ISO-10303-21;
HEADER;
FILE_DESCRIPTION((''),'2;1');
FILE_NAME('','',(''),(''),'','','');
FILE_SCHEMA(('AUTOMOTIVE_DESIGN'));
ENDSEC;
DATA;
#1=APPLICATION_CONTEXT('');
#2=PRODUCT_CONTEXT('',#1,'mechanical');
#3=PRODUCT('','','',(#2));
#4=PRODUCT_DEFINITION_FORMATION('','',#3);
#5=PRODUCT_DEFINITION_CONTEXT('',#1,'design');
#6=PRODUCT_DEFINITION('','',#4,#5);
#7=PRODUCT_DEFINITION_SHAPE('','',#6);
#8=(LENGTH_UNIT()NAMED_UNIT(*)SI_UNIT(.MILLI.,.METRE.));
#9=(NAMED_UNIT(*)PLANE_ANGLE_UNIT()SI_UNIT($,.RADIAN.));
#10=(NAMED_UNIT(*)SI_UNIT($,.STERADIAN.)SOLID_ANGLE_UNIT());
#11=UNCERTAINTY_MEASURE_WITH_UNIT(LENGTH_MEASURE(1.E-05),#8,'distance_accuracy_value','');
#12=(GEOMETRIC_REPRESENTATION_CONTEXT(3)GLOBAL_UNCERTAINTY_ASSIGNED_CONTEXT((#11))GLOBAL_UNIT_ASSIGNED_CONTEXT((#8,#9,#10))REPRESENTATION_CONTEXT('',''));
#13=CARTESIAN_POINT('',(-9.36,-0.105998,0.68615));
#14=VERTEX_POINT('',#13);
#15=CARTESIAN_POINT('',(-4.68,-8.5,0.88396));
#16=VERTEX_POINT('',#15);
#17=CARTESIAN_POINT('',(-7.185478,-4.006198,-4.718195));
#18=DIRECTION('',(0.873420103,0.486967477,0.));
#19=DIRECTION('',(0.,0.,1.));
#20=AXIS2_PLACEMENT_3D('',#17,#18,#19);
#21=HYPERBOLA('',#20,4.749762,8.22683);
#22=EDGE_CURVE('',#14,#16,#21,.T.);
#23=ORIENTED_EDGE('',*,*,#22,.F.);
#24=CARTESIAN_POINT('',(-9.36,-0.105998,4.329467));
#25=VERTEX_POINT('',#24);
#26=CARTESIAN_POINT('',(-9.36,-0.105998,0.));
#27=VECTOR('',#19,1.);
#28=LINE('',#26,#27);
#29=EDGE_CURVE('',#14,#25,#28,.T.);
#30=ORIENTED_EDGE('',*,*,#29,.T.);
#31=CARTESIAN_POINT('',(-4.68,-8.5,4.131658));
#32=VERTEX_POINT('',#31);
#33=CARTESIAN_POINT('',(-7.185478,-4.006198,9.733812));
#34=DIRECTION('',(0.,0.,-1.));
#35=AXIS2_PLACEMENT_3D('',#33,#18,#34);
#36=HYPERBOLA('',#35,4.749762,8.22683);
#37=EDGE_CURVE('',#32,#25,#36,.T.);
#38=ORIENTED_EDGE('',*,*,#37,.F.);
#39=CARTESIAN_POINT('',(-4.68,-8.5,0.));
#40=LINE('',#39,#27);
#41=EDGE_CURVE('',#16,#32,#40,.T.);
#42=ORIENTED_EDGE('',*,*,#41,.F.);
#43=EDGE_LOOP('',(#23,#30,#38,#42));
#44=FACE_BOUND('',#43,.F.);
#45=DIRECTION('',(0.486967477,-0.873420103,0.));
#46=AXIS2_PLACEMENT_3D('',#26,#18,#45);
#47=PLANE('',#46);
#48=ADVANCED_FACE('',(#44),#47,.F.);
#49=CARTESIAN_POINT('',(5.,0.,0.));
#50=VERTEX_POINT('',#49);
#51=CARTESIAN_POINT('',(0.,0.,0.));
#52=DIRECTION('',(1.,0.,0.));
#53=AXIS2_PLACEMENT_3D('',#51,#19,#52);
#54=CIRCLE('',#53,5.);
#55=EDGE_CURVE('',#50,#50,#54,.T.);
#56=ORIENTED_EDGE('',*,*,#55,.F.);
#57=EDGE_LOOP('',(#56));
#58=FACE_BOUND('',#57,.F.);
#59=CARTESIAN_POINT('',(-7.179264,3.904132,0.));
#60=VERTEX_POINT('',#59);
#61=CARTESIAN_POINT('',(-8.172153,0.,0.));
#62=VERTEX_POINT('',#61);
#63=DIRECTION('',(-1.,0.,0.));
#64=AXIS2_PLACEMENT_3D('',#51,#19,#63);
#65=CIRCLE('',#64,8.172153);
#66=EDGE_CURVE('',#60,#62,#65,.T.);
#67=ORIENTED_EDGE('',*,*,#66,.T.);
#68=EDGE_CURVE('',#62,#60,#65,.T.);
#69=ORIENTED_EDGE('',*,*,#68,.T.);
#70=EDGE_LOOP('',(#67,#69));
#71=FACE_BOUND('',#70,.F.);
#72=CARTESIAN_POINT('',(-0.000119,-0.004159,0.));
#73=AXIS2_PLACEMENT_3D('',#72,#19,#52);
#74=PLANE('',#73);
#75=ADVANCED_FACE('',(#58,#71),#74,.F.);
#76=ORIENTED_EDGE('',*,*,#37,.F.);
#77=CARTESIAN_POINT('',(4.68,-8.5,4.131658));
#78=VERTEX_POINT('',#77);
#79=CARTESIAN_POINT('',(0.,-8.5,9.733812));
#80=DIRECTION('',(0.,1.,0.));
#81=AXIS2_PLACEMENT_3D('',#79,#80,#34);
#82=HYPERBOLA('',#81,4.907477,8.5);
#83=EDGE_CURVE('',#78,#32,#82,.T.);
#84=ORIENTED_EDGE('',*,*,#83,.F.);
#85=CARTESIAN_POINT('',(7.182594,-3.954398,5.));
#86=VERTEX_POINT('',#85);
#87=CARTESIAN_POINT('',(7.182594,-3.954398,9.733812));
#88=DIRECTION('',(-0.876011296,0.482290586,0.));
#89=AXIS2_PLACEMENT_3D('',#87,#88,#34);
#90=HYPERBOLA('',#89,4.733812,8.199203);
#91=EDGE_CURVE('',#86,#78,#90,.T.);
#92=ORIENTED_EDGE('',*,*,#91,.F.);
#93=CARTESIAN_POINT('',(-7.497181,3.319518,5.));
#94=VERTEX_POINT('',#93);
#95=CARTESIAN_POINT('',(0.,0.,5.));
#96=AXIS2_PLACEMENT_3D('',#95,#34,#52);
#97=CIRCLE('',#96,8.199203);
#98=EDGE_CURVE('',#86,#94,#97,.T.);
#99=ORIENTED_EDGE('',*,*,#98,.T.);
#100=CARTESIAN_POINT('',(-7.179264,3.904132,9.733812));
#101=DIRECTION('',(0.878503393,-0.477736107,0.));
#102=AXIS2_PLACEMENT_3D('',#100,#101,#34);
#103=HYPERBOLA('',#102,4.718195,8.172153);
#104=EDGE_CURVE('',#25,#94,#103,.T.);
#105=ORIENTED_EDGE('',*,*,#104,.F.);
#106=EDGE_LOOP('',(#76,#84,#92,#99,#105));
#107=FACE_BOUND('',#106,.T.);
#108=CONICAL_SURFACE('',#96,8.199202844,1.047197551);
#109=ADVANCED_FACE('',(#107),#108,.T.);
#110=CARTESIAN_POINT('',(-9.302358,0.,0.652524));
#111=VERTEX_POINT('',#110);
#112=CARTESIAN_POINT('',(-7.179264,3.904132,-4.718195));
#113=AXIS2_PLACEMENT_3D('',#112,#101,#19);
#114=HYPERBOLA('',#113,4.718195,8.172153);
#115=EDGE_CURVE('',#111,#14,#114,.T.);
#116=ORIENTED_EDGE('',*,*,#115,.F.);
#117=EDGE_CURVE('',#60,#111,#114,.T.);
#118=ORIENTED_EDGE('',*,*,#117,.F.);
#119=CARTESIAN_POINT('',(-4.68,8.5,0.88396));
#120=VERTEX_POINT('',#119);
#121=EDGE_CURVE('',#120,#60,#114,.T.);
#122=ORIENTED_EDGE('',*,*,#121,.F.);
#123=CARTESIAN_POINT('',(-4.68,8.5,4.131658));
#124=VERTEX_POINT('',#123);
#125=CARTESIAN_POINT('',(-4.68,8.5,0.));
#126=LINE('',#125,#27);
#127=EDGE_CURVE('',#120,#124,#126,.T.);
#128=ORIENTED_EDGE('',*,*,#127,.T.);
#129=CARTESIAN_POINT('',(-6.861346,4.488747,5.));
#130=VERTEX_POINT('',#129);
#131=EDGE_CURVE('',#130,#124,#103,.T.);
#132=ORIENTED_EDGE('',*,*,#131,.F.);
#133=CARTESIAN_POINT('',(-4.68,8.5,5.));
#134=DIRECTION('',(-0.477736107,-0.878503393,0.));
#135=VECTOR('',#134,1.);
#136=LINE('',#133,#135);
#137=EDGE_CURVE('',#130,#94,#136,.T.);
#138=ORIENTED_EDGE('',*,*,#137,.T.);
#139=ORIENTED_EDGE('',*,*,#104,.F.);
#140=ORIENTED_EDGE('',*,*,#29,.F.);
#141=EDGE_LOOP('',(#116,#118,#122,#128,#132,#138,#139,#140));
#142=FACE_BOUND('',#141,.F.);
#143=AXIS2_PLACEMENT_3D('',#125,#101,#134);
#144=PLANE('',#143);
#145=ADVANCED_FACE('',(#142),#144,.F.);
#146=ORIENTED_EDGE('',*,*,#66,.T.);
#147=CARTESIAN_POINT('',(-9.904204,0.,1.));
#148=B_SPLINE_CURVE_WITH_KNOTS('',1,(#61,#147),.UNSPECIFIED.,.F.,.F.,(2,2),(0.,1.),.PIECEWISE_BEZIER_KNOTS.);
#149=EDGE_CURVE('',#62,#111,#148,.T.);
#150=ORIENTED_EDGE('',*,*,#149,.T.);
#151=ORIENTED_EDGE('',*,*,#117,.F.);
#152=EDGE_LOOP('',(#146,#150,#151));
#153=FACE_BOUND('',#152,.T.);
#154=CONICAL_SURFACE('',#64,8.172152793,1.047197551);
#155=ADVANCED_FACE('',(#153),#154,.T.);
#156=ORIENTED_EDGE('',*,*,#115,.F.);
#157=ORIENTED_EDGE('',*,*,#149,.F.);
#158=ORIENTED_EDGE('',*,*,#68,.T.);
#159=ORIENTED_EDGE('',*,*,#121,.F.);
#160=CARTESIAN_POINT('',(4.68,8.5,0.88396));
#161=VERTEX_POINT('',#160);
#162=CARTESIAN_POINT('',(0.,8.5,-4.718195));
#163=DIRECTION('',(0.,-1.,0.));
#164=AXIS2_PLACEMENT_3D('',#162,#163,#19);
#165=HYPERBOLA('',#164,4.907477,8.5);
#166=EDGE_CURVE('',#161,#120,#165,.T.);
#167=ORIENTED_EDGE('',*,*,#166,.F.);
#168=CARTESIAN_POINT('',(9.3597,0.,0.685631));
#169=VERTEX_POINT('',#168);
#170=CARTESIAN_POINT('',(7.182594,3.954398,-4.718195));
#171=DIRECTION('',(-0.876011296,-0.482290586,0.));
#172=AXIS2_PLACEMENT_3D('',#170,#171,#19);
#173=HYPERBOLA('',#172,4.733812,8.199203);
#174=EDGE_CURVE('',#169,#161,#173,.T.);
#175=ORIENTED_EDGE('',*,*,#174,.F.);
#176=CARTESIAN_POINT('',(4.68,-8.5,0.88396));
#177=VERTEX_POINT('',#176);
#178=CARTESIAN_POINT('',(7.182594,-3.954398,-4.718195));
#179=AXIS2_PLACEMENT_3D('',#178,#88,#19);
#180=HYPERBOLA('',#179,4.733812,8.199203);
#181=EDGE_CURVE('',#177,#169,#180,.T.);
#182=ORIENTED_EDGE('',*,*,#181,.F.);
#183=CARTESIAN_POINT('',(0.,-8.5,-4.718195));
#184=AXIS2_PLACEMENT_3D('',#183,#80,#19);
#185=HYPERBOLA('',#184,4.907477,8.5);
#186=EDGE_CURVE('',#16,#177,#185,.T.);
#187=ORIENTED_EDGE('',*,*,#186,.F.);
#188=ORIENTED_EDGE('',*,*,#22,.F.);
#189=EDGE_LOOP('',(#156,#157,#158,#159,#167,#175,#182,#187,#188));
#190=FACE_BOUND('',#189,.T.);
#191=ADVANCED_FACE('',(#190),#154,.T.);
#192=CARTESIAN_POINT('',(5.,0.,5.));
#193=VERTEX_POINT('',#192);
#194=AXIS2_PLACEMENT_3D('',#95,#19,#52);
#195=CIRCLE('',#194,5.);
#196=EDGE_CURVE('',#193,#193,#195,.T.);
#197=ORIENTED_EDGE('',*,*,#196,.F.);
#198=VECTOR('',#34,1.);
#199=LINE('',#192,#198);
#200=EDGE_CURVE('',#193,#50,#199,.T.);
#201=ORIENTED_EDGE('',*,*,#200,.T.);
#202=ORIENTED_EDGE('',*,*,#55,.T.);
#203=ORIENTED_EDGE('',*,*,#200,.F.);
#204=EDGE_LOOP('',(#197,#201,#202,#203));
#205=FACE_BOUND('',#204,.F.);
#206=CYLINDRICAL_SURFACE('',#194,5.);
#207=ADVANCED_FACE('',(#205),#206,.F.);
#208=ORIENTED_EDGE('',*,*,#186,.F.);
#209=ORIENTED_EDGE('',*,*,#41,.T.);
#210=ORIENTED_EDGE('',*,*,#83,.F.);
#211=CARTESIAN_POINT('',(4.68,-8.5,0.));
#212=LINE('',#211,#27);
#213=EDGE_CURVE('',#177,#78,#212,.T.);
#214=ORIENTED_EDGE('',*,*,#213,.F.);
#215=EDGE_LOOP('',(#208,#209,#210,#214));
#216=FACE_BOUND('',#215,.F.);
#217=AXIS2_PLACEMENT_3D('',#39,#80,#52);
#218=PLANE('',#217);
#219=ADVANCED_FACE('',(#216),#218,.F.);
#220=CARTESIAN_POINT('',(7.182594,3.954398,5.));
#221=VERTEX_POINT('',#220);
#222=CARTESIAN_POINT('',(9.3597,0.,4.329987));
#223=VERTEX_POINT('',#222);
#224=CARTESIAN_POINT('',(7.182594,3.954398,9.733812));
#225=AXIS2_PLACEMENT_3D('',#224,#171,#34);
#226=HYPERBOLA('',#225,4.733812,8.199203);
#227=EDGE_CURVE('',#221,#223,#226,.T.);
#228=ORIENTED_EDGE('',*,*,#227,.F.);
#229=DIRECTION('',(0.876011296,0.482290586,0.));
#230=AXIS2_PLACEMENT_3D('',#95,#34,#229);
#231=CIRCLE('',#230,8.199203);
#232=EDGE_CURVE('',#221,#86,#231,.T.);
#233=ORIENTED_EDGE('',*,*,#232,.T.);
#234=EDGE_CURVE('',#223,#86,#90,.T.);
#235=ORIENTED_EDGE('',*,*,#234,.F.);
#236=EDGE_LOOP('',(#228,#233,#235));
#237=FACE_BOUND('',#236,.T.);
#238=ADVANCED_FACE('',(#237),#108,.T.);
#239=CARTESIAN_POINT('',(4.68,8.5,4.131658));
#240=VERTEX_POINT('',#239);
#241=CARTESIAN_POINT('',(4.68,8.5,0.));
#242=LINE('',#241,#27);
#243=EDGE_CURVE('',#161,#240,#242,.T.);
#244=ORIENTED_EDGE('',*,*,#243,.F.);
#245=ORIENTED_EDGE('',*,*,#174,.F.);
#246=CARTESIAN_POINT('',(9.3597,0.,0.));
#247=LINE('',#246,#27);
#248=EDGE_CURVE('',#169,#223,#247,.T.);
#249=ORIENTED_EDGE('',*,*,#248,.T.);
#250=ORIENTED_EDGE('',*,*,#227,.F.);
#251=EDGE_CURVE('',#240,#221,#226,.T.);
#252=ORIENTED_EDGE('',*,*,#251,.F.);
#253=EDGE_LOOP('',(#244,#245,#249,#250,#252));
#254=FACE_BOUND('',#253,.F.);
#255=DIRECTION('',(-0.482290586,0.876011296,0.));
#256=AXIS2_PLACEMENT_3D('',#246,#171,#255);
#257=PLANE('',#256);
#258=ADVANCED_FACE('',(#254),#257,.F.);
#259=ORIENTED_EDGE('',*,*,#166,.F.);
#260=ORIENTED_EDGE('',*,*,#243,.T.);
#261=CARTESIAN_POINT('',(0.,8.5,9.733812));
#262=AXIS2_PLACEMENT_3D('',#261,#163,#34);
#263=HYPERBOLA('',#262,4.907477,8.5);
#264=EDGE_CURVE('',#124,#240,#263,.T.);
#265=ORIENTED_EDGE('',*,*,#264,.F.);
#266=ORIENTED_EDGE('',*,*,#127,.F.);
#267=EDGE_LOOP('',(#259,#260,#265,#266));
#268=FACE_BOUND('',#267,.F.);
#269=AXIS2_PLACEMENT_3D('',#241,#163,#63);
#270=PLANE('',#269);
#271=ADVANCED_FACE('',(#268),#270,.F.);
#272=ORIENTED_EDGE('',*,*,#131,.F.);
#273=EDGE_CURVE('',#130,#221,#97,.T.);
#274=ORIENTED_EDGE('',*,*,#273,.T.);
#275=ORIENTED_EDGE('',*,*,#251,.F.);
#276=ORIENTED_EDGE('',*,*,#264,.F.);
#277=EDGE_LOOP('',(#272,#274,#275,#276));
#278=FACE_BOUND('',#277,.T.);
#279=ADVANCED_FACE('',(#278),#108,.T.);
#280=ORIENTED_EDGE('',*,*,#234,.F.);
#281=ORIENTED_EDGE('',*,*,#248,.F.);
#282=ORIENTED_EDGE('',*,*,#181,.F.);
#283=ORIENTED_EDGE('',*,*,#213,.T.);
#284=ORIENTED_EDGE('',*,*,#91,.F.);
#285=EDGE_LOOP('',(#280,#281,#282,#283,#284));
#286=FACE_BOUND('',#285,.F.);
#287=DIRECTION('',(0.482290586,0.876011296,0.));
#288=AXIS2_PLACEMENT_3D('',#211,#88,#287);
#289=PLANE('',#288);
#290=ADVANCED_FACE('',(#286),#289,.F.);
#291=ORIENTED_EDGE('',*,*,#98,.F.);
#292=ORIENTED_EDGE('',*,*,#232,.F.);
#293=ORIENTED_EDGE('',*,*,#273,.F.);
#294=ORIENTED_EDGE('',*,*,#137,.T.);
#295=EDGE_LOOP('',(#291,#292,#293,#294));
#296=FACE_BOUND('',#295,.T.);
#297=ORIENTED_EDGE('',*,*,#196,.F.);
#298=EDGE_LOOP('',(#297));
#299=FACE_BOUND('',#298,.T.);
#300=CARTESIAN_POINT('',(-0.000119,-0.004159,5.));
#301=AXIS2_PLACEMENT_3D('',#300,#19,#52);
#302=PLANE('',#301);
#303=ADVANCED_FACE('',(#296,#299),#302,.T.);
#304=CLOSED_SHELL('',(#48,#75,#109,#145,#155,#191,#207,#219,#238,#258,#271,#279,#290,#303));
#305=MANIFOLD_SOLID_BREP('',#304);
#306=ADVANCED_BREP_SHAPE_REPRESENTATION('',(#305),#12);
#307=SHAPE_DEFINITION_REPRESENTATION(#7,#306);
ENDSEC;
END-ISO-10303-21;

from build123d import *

# Parameters (mm, degrees)
BOSS_EXTRUDE1_DEPTH = 5
SKETCH2_OUTSIDE_W   = 60.516
SKETCH2_OUTSIDE_H   = 58.796
SKETCH2_OUTSIDE_R   = 8.199202844
CUT_EXTRUDE1_DEPTH  = 10
CUT_EXTRUDE1_TAPER  = 60
SKETCH3_OUTSIDE_W   = 29.34
SKETCH3_OUTSIDE_H   = 27.62
SKETCH3_OUTSIDE_R   = 8.172152793
CUT_EXTRUDE2_DEPTH  = 1
CUT_EXTRUDE2_TAPER  = 60
SKETCH4_R           = 5
CUT_EXTRUDE3_DEPTH  = 8


with BuildPart() as part:
    # Sketch1 → Boss-Extrude1 (new body)
    with BuildSketch(Plane.XY):
        Polygon((9.359699903, 0), (4.68, 8.5), (-4.68, 8.5), (-9.36, -0.105997779), (-4.68, -8.5), (4.68, -8.5), align=None)
    extrude(amount=BOSS_EXTRUDE1_DEPTH)

    # Sketch2 outside → Cut-Extrude1 (cut)
    with BuildSketch(Plane.XY.offset(5)):
        Rectangle(SKETCH2_OUTSIDE_W, SKETCH2_OUTSIDE_H)
        Circle(SKETCH2_OUTSIDE_R, mode=Mode.SUBTRACT)
    extrude(amount=-CUT_EXTRUDE1_DEPTH, taper=CUT_EXTRUDE1_TAPER, mode=Mode.SUBTRACT)

    # Sketch3 outside → Cut-Extrude2 (cut)
    with BuildSketch(Plane(origin=(0, 0, 0), x_dir=(-1, 0, 0), z_dir=(0, 0, -1))):
        Rectangle(SKETCH3_OUTSIDE_W, SKETCH3_OUTSIDE_H)
        Circle(SKETCH3_OUTSIDE_R, mode=Mode.SUBTRACT)
    extrude(amount=-CUT_EXTRUDE2_DEPTH, taper=CUT_EXTRUDE2_TAPER, mode=Mode.SUBTRACT)

    # Sketch4 → Cut-Extrude3 (cut)
    with BuildSketch(Plane.XY.offset(5)):
        Circle(SKETCH4_R)
    extrude(amount=-CUT_EXTRUDE3_DEPTH, mode=Mode.SUBTRACT)


solid = part.part
